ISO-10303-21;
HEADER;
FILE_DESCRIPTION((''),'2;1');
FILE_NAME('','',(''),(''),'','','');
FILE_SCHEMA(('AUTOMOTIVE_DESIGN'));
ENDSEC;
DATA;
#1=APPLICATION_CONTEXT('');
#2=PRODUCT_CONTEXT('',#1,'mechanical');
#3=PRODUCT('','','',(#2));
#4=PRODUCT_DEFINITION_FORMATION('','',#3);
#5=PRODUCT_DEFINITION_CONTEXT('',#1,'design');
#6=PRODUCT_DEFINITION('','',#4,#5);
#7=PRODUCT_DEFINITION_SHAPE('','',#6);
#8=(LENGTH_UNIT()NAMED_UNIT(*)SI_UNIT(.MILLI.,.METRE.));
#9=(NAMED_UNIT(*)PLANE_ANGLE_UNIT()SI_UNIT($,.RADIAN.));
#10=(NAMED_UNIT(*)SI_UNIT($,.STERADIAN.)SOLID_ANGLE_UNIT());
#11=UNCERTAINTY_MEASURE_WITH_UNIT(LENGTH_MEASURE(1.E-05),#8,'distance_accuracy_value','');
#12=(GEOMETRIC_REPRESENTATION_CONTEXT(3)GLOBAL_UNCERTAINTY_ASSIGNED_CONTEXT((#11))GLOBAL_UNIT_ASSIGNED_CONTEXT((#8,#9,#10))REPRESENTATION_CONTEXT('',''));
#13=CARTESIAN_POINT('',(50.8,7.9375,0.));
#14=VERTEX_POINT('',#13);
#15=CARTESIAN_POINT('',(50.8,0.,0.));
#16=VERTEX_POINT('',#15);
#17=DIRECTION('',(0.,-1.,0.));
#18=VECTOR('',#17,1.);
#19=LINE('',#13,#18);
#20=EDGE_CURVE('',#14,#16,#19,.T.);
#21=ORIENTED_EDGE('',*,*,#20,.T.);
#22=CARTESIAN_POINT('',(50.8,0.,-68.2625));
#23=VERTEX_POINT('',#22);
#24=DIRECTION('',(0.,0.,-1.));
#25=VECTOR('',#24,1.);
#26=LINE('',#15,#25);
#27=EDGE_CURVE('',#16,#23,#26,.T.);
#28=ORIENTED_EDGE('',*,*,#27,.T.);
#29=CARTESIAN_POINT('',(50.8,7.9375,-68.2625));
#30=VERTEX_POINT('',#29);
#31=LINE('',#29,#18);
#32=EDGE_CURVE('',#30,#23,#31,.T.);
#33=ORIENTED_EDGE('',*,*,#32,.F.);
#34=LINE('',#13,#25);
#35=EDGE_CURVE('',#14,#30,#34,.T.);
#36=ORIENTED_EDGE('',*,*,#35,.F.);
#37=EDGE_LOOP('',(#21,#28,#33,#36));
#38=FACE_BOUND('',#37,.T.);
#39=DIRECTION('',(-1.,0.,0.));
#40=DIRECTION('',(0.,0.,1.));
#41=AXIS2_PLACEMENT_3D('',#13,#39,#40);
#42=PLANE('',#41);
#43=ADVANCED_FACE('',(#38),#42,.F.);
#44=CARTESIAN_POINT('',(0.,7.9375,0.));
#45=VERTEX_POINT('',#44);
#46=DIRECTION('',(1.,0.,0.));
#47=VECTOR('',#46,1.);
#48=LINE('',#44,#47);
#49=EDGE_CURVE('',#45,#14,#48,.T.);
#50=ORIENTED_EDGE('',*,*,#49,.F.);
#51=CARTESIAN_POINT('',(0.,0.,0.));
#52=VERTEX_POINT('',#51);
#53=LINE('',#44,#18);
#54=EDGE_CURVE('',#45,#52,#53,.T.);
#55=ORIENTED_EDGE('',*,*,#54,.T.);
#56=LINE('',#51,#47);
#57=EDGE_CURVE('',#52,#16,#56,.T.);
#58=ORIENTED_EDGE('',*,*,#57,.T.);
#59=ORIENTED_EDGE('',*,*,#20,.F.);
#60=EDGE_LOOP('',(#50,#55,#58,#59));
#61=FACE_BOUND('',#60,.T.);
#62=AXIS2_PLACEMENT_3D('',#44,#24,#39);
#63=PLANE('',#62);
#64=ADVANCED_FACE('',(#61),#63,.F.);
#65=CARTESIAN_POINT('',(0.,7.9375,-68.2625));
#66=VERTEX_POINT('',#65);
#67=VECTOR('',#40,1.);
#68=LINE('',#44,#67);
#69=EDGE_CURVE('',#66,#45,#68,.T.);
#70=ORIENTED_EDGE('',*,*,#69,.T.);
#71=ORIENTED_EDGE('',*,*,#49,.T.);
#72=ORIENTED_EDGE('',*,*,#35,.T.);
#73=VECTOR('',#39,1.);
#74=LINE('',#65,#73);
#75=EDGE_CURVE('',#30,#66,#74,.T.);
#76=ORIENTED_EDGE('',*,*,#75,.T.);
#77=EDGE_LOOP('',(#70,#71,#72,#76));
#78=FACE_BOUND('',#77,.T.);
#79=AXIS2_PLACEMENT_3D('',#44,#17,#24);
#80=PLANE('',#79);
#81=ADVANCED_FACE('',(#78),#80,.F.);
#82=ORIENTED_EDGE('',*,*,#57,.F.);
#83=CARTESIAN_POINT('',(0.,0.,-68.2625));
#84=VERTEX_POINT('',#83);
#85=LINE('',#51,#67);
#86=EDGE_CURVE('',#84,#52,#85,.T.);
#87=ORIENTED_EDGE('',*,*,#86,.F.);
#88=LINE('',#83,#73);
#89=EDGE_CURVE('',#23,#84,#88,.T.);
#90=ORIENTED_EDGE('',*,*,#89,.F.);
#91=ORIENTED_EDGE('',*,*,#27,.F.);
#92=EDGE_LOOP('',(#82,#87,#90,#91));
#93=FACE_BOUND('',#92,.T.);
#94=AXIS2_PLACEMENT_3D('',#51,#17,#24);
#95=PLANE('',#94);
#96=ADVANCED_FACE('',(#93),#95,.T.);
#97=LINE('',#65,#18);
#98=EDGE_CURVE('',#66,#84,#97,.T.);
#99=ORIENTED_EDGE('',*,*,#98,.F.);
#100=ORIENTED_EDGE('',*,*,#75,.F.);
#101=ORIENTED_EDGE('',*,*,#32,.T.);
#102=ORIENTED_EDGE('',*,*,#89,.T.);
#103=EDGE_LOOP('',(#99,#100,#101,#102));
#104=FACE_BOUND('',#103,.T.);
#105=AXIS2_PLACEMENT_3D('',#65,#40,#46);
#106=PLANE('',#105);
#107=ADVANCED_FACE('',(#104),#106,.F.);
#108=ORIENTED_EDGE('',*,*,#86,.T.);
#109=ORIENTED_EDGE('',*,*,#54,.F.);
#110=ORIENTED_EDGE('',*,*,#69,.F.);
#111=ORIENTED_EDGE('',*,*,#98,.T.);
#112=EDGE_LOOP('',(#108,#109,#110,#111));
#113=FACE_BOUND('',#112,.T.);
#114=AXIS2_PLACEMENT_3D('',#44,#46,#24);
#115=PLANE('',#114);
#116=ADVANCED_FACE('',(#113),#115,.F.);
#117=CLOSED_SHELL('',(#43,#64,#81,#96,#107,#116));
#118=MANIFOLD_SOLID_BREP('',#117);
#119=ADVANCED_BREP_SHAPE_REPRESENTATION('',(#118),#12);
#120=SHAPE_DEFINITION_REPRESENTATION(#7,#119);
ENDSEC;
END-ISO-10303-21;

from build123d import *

# Parameters (mm, degrees)
SKETCH1_W           = 50.8
SKETCH1_H           = 68.2625
BOSS_EXTRUDE1_DEPTH = 7.9375


with BuildPart() as part:
    # Sketch1 → Boss-Extrude1 (new body)
    with BuildSketch(Plane(origin=(0, 0, 0), x_dir=(1, 0, 0), z_dir=(0, 1, 0))):
        with Locations((25.4, 34.13125)):
            Rectangle(SKETCH1_W, SKETCH1_H)
    extrude(amount=BOSS_EXTRUDE1_DEPTH)


solid = part.part
